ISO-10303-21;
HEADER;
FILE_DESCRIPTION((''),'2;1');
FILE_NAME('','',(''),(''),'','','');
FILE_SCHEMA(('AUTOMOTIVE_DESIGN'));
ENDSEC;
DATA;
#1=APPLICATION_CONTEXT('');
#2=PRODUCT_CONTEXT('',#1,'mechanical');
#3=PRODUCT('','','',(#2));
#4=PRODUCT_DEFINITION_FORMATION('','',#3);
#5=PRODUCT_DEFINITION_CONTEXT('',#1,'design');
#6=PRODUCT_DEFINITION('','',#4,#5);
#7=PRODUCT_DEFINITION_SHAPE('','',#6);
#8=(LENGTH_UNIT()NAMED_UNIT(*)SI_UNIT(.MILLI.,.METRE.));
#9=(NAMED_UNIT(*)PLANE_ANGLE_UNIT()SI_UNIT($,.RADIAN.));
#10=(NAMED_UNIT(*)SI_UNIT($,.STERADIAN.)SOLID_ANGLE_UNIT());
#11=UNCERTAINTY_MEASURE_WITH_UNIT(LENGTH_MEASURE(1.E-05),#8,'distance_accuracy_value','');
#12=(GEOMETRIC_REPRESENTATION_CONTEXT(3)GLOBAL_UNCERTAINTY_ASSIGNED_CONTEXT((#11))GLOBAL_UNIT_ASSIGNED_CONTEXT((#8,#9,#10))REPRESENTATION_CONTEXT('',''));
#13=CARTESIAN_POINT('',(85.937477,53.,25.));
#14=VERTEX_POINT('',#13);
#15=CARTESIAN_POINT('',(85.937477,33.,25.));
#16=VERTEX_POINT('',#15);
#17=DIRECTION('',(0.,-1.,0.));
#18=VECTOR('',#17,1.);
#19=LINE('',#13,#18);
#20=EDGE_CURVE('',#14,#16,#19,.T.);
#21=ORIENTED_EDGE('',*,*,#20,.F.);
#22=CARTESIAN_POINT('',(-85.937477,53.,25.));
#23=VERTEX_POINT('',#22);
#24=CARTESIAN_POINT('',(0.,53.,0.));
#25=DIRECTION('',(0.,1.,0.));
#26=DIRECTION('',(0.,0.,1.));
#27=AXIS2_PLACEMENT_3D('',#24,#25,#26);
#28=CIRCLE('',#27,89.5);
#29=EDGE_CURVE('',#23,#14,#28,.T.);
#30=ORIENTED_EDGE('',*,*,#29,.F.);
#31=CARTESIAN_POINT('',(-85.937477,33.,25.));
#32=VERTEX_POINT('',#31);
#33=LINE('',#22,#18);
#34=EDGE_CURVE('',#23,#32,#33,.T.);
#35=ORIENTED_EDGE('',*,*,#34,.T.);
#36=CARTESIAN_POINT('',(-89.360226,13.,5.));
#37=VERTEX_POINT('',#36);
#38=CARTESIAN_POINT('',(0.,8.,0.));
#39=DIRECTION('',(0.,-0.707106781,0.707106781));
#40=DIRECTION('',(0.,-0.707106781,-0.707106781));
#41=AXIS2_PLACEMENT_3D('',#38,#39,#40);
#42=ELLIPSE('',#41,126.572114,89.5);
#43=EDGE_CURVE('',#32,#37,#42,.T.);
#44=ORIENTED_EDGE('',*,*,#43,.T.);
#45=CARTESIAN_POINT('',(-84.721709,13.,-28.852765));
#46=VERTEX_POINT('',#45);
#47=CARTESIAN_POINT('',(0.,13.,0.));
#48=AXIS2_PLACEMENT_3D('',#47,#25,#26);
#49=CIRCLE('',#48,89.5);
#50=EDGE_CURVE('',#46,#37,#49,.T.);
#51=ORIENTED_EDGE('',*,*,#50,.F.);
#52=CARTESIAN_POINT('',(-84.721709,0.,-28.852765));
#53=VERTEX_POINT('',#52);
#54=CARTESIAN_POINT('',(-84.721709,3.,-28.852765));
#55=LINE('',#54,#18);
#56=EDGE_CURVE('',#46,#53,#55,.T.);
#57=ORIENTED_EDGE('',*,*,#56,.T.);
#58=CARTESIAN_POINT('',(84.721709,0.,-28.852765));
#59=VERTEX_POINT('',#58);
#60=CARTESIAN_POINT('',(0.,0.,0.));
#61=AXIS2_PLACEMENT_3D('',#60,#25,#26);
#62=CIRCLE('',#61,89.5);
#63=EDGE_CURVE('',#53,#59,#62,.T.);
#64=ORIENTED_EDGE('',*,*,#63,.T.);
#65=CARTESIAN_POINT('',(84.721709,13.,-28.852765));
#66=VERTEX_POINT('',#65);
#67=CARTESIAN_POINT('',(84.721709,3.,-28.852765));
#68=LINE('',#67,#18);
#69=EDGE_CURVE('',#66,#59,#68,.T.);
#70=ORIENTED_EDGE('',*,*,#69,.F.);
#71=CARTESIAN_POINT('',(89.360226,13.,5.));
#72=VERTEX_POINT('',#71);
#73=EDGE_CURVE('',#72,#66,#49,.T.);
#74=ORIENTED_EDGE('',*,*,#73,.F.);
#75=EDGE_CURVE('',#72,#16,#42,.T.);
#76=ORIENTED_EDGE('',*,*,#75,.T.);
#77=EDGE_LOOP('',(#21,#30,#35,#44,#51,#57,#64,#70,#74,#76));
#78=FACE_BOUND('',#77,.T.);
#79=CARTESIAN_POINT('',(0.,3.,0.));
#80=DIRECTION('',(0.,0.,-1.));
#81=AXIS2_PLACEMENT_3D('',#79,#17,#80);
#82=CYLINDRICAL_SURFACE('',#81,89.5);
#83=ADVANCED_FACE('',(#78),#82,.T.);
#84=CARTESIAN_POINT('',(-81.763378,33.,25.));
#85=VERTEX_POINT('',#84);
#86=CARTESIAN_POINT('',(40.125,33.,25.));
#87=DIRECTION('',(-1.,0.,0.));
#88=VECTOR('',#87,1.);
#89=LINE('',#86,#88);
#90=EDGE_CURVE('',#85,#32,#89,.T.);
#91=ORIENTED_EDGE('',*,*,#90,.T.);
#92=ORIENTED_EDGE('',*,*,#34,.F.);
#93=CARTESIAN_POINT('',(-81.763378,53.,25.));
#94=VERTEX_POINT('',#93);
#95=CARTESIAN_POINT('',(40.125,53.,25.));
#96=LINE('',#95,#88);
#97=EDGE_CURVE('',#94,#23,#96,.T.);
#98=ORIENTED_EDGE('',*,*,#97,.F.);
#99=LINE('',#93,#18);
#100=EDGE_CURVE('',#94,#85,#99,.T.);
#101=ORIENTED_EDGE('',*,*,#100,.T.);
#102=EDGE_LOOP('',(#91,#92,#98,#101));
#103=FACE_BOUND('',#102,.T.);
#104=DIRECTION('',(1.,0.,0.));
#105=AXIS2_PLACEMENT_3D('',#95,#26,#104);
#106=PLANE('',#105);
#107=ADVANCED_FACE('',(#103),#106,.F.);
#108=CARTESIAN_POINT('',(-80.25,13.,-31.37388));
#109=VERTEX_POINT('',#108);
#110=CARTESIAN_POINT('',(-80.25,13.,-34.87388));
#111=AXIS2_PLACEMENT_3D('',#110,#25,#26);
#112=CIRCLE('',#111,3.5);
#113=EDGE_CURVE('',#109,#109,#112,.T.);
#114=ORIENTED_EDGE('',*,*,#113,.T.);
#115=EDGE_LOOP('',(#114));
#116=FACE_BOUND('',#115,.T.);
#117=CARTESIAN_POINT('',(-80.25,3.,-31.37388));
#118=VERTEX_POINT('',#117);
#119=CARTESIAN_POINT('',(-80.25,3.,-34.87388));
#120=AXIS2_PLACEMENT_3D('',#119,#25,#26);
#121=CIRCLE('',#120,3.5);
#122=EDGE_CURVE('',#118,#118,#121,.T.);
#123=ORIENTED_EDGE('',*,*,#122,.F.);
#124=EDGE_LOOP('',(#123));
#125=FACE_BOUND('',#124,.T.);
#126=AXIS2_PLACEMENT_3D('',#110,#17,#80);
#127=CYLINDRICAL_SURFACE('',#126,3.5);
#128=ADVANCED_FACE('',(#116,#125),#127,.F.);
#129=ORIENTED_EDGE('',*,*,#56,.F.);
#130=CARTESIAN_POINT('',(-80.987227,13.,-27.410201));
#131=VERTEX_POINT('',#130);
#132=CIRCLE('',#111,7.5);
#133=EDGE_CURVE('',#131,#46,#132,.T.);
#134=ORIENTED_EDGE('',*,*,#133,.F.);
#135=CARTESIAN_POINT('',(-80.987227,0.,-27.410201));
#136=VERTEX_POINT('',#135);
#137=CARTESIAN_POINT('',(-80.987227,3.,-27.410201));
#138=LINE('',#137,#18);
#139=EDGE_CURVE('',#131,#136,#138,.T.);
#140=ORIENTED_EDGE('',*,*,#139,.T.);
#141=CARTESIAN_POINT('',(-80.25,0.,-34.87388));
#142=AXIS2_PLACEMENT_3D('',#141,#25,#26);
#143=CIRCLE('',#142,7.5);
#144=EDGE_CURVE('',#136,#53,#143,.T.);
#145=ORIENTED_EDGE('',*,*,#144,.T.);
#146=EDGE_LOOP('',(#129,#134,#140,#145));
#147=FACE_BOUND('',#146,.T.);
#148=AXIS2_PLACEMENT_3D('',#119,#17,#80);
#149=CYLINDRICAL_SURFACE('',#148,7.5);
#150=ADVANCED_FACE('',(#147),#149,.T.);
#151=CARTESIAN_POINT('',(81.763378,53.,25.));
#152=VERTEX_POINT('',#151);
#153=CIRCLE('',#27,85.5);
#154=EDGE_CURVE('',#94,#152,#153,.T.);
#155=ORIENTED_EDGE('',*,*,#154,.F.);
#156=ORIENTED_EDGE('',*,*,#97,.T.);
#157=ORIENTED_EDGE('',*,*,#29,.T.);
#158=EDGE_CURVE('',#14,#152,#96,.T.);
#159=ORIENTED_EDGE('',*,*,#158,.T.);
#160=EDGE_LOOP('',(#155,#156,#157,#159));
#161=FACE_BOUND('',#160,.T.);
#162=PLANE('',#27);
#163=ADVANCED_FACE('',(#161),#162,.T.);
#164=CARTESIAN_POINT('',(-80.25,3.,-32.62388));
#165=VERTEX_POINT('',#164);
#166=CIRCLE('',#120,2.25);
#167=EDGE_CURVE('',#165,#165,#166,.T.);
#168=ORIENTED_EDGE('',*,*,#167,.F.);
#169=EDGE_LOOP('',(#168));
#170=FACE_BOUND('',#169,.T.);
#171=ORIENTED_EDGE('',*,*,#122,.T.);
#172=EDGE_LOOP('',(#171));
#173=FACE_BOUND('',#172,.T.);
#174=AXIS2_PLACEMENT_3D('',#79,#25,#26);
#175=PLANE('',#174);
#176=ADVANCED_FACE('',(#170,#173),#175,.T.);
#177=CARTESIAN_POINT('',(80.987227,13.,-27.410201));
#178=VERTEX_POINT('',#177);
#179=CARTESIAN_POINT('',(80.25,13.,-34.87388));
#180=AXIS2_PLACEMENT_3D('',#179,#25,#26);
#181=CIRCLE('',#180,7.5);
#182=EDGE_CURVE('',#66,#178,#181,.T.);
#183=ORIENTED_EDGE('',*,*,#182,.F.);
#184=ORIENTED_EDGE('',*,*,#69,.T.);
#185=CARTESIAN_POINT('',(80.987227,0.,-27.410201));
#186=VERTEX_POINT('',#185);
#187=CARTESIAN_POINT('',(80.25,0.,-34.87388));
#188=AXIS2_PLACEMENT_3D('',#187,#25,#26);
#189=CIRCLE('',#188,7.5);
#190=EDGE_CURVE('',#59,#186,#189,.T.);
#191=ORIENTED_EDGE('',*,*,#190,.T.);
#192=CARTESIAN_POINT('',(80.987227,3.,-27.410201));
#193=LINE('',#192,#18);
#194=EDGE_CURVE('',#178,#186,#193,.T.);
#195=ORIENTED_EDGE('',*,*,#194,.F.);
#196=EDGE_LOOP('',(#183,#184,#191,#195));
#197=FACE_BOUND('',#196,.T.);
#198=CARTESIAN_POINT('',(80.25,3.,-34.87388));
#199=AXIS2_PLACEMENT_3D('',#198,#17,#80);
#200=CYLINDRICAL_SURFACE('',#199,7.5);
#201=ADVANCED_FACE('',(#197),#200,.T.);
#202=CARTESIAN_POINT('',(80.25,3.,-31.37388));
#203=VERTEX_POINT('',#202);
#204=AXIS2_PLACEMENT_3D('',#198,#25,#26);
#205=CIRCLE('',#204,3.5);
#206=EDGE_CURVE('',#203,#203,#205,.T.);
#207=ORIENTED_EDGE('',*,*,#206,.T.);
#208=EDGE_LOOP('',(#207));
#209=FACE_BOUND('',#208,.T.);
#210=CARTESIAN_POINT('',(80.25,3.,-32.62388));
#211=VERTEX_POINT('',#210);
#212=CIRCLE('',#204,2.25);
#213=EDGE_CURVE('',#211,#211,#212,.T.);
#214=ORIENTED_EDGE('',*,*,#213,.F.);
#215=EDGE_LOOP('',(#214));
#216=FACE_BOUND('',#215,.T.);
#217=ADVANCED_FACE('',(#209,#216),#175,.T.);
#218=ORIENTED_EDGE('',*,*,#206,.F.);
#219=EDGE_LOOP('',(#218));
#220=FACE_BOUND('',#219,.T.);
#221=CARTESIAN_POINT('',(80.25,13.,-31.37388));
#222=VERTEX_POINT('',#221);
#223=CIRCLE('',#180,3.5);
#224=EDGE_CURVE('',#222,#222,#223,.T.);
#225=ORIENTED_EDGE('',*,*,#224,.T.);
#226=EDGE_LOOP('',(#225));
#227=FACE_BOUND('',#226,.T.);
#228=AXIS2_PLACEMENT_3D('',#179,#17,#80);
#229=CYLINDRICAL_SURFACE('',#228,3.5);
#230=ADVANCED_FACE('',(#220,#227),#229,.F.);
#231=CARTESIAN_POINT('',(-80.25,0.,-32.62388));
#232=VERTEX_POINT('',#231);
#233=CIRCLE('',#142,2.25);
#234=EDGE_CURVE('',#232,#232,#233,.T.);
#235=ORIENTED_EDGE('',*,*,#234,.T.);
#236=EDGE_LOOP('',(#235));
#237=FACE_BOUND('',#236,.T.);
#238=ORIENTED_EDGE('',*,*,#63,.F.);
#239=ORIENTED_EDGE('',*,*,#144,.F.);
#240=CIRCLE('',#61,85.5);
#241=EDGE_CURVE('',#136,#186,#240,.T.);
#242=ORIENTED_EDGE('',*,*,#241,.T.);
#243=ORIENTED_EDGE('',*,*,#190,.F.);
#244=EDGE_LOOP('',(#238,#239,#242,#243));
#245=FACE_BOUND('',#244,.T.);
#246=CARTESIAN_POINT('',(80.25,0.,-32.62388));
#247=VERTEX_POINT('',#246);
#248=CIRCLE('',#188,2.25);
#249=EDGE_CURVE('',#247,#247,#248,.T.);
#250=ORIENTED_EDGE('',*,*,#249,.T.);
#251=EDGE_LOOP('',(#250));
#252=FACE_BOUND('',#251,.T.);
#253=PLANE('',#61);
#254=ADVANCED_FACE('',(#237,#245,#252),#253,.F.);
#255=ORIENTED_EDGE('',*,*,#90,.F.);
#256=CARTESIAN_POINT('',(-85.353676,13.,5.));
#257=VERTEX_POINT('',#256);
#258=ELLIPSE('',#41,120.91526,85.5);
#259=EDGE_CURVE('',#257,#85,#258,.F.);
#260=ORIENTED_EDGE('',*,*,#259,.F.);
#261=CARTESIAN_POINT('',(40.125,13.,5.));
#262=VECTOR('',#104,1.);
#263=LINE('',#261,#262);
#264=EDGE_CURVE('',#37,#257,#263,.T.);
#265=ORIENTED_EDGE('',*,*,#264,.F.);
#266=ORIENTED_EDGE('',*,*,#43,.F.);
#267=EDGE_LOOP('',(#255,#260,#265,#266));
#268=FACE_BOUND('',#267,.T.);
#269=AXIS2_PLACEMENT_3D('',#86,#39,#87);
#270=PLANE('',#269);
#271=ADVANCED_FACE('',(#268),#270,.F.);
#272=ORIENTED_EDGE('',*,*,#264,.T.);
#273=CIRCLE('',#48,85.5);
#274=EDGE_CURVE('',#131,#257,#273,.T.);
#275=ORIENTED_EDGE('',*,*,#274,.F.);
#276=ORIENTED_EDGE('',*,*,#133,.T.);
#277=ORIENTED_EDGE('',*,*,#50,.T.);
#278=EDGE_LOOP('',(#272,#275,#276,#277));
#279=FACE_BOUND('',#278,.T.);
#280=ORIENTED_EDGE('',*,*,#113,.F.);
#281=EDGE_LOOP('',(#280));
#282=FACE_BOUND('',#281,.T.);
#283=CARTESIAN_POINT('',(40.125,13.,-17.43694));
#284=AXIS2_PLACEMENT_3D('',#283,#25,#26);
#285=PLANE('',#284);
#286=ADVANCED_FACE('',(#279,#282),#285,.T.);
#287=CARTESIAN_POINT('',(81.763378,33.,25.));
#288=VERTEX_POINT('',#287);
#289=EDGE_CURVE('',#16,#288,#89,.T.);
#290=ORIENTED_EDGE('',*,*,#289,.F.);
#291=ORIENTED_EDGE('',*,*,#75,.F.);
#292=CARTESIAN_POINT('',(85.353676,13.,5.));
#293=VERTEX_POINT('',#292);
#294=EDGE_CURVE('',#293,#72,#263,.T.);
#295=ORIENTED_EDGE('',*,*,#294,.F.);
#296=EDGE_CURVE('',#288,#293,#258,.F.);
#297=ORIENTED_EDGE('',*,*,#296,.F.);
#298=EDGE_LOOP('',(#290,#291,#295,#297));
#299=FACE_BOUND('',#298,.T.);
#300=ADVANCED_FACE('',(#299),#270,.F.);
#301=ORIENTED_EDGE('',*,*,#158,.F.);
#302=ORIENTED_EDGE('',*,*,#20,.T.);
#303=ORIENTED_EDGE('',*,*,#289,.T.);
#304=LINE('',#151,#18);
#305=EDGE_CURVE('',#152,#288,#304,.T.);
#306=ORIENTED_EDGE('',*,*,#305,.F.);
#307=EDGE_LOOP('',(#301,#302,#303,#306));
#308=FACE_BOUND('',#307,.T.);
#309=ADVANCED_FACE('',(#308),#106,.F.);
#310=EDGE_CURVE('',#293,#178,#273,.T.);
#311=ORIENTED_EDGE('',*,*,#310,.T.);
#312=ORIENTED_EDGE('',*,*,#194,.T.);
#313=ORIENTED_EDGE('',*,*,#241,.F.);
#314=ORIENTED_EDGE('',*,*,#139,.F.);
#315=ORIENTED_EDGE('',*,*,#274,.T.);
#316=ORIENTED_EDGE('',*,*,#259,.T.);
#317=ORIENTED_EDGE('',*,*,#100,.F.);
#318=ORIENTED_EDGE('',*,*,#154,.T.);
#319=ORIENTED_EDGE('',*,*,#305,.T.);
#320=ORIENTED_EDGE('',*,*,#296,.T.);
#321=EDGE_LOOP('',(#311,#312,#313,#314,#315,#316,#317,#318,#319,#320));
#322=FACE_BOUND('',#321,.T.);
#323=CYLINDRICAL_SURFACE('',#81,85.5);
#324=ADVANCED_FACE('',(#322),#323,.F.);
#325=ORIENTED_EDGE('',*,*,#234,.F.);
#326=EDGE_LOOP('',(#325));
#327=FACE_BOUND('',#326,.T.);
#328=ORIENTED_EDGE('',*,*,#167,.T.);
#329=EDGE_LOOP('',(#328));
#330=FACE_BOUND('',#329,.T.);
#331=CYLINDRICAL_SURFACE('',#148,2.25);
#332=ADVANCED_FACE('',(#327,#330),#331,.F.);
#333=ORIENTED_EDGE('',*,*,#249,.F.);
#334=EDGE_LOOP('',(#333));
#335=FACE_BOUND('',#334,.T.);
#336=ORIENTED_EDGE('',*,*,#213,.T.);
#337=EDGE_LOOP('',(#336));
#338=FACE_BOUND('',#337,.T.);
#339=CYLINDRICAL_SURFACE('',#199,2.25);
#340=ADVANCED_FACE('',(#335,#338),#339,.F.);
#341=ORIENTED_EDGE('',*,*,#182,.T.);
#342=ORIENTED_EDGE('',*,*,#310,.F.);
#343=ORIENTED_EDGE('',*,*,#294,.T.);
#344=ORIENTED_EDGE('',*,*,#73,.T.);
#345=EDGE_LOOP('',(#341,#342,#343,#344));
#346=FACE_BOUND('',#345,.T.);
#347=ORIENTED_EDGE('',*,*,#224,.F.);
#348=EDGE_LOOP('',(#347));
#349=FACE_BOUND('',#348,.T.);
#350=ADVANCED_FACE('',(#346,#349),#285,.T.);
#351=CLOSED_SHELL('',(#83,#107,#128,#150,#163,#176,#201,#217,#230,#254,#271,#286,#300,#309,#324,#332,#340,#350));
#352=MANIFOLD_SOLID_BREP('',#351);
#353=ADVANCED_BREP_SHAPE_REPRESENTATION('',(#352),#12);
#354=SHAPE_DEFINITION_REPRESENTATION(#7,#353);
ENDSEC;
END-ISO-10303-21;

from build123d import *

# Parameters (mm, degrees)
SKETCH_1_R      = 2.2499999999999964
SKETCH_1_R_2    = 3.5000000000000075
EXTRUDE_3_DEPTH = 3
EXTRUDE_START   = 3
SKETCH_1_9_R    = 3.5000000000000075
EXTRUDE_4_DEPTH = 10
EXTRUDE_START_2 = 13
EXTRUDE_5_DEPTH = 40
CHAMFER_1_SIZE  = 20


with BuildPart() as part:
    # 草图1 → 凸台-拉伸3 (new body)
    # profile 1 of 5: a face of its own
    with BuildSketch(Plane(origin=(0, 0, 0), x_dir=(1, 0, 0), z_dir=(0, 1, 0))):
        with BuildLine():
            Line((81.76337811025178, -25), (85.93747727272425, -25))
            ThreePointArc((85.93747727272427, -25.00000000000003), (89.47720115518152, 2.0200181769446033), (84.72170874814934, 28.85276532316719))
            ThreePointArc((84.72170874814934, 28.852765323167215), (77.54750127881047, 41.87005748540227), (80.9872265222124, 27.41020138999083))
            ThreePointArc((80.98722652221241, 27.41020138999082), (85.49062597438983, 1.266045223118958), (81.76337811025176, -25.00000000000003))
        make_face()
        with BuildLine():
            ThreePointArc((79.50393531376338, 31.454320365013906), (78.90792202113376, 38.10634440334943), (83.19867820645547, 32.988330432119156))
            ThreePointArc((83.19867820645547, 32.988330432119156), (82.49378450242521, 32.18772445937683), (81.58047617746915, 31.636622870612896))
            ThreePointArc((81.58047617746915, 31.636622870612896), (80.55609271252037, 31.387290279852397), (79.50393531376338, 31.454320365013903))
        make_face(mode=Mode.SUBTRACT)
    # profile 2 of 5: a face of its own
    with BuildSketch(Plane(origin=(0, 0, 0), x_dir=(1, 0, 0), z_dir=(0, 1, 0))):
        with BuildLine():
            ThreePointArc((83.19867820645547, 32.988330432119156), (78.90792202113373, 38.10634440334942), (79.50393531376338, 31.454320365013903))
            ThreePointArc((79.50393531376338, 31.454320365013903), (80.55609271252037, 31.387290279852397), (81.58047617746915, 31.636622870612896))
            ThreePointArc((81.58047617746915, 31.636622870612896), (82.49378450242521, 32.18772445937683), (83.19867820645547, 32.988330432119156))
        make_face()
        with Locations(Location((80.25, 34.873879910328284, 0), (0, 0, 270))):
            Circle(SKETCH_1_R, mode=Mode.SUBTRACT)
    # profile 3 of 5: a face of its own
    with BuildSketch(Plane(origin=(0, 0, 0), x_dir=(1, 0, 0), z_dir=(0, 1, 0))):
        with BuildLine():
            ThreePointArc((-84.72170874814935, 28.85276532316715), (-89.4772011551815, 2.020018176944596), (-85.93747727272427, -25.00000000000001))
            Line((-85.93747727272425, -25), (-81.76337811025178, -25))
            ThreePointArc((-81.76337811025176, -25.000000000000007), (-85.49062597438983, 1.2660452231190007), (-80.98722652221241, 27.41020138999083))
            ThreePointArc((-80.98722652221241, 27.41020138999083), (-77.54750127881069, 41.87005748540241), (-84.72170874814934, 28.852765323167137))
        make_face()
        with Locations((-80.25, 34.873879910328284)):
            Circle(SKETCH_1_R_2, mode=Mode.SUBTRACT)
    # profile 4 of 5: a face of its own
    with BuildSketch(Plane(origin=(0, 0, 0), x_dir=(1, 0, 0), z_dir=(0, 1, 0))):
        with Locations((-80.25, 34.873879910328284)):
            Circle(SKETCH_1_R_2)
        with Locations(Location((-80.25, 34.873879910328284, 0), (0, 0, 270))):
            Circle(SKETCH_1_R, mode=Mode.SUBTRACT)
    # profile 5 of 5: a face of its own
    with BuildSketch(Plane(origin=(0, 0, 0), x_dir=(1, 0, 0), z_dir=(0, 1, 0))):
        with BuildLine():
            Line((-81.76337811025178, -25), (-85.93747727272425, -25))
            ThreePointArc((-85.93747727272427, -25.00000000000001), (3.55e-15, -89.5), (85.93747727272427, -25.00000000000003))
            Line((85.93747727272425, -25), (81.76337811025178, -25))
            ThreePointArc((81.76337811025176, -25.00000000000003), (-3.55e-15, -85.5), (-81.76337811025176, -25.000000000000007))
        make_face()
    extrude(amount=EXTRUDE_3_DEPTH)

    # 草图1<9> → 凸台-拉伸4 (add)
    # profile 1 of 3: a face of its own
    with BuildSketch(Plane(origin=(0, 0, 0), x_dir=(1, 0, 0), z_dir=(0, 1, 0)).offset(EXTRUDE_START)):
        with BuildLine():
            ThreePointArc((-84.72170874814935, 28.85276532316715), (-89.4772011551815, 2.020018176944596), (-85.93747727272427, -25.00000000000001))
            Line((-85.93747727272425, -25), (-81.76337811025178, -25))
            ThreePointArc((-81.76337811025176, -25.000000000000007), (-85.49062597438983, 1.2660452231190007), (-80.98722652221241, 27.41020138999083))
            ThreePointArc((-80.98722652221241, 27.41020138999083), (-77.54750127881069, 41.87005748540241), (-84.72170874814934, 28.852765323167137))
        make_face()
        with Locations(Location((-80.25, 34.873879910328284, 0), (0, 0, 270))):
            Circle(SKETCH_1_9_R, mode=Mode.SUBTRACT)
    # profile 2 of 3: a face of its own
    with BuildSketch(Plane(origin=(0, 0, 0), x_dir=(1, 0, 0), z_dir=(0, 1, 0)).offset(EXTRUDE_START)):
        with BuildLine():
            Line((-81.76337811025178, -25), (-85.93747727272425, -25))
            ThreePointArc((-85.93747727272427, -25.00000000000001), (3.55e-15, -89.5), (85.93747727272427, -25.00000000000003))
            Line((85.93747727272425, -25), (81.76337811025178, -25))
            ThreePointArc((81.76337811025176, -25.00000000000003), (-3.55e-15, -85.5), (-81.76337811025176, -25.000000000000007))
        make_face()
    # profile 3 of 3: a face of its own
    with BuildSketch(Plane(origin=(0, 0, 0), x_dir=(1, 0, 0), z_dir=(0, 1, 0)).offset(EXTRUDE_START)):
        with BuildLine():
            Line((81.76337811025178, -25), (85.93747727272425, -25))
            ThreePointArc((85.93747727272427, -25.00000000000003), (89.47720115518152, 2.0200181769446033), (84.72170874814934, 28.85276532316719))
            ThreePointArc((84.72170874814934, 28.852765323167215), (77.54750127881047, 41.87005748540227), (80.9872265222124, 27.41020138999083))
            ThreePointArc((80.98722652221241, 27.41020138999082), (85.49062597438983, 1.266045223118958), (81.76337811025176, -25.00000000000003))
        make_face()
        with BuildLine():
            ThreePointArc((79.50393531376338, 31.454320365013906), (78.90792202113376, 38.10634440334943), (83.19867820645547, 32.988330432119156))
            ThreePointArc((83.19867820645547, 32.988330432119156), (82.49378450242521, 32.18772445937683), (81.58047617746915, 31.636622870612896))
            ThreePointArc((81.58047617746915, 31.636622870612896), (80.55609271252037, 31.387290279852397), (79.50393531376338, 31.454320365013903))
        make_face(mode=Mode.SUBTRACT)
    extrude(amount=EXTRUDE_4_DEPTH)

    # 草图1<10> → 凸台-拉伸5 (add)
    with BuildSketch(Plane(origin=(0, 0, 0), x_dir=(1, 0, 0), z_dir=(0, 1, 0)).offset(EXTRUDE_START_2)):
        with BuildLine():
            Line((-81.76337811025178, -25), (-85.93747727272425, -25))
            ThreePointArc((-85.93747727272427, -25.00000000000001), (3.55e-15, -89.5), (85.93747727272427, -25.00000000000003))
            Line((85.93747727272425, -25), (81.76337811025178, -25))
            ThreePointArc((81.76337811025176, -25.00000000000003), (-3.55e-15, -85.5), (-81.76337811025176, -25.000000000000007))
        make_face()
    extrude(amount=EXTRUDE_5_DEPTH)

    # 倒角1
    chamfer_1_edges = [part.edges().sort_by_distance(p)[0] for p in [
        (-83.85042769148802, 13, 25),
        (83.85042769148802, 13, 25),
    ]]
    chamfer(chamfer_1_edges, length=CHAMFER_1_SIZE)


solid = part.part
